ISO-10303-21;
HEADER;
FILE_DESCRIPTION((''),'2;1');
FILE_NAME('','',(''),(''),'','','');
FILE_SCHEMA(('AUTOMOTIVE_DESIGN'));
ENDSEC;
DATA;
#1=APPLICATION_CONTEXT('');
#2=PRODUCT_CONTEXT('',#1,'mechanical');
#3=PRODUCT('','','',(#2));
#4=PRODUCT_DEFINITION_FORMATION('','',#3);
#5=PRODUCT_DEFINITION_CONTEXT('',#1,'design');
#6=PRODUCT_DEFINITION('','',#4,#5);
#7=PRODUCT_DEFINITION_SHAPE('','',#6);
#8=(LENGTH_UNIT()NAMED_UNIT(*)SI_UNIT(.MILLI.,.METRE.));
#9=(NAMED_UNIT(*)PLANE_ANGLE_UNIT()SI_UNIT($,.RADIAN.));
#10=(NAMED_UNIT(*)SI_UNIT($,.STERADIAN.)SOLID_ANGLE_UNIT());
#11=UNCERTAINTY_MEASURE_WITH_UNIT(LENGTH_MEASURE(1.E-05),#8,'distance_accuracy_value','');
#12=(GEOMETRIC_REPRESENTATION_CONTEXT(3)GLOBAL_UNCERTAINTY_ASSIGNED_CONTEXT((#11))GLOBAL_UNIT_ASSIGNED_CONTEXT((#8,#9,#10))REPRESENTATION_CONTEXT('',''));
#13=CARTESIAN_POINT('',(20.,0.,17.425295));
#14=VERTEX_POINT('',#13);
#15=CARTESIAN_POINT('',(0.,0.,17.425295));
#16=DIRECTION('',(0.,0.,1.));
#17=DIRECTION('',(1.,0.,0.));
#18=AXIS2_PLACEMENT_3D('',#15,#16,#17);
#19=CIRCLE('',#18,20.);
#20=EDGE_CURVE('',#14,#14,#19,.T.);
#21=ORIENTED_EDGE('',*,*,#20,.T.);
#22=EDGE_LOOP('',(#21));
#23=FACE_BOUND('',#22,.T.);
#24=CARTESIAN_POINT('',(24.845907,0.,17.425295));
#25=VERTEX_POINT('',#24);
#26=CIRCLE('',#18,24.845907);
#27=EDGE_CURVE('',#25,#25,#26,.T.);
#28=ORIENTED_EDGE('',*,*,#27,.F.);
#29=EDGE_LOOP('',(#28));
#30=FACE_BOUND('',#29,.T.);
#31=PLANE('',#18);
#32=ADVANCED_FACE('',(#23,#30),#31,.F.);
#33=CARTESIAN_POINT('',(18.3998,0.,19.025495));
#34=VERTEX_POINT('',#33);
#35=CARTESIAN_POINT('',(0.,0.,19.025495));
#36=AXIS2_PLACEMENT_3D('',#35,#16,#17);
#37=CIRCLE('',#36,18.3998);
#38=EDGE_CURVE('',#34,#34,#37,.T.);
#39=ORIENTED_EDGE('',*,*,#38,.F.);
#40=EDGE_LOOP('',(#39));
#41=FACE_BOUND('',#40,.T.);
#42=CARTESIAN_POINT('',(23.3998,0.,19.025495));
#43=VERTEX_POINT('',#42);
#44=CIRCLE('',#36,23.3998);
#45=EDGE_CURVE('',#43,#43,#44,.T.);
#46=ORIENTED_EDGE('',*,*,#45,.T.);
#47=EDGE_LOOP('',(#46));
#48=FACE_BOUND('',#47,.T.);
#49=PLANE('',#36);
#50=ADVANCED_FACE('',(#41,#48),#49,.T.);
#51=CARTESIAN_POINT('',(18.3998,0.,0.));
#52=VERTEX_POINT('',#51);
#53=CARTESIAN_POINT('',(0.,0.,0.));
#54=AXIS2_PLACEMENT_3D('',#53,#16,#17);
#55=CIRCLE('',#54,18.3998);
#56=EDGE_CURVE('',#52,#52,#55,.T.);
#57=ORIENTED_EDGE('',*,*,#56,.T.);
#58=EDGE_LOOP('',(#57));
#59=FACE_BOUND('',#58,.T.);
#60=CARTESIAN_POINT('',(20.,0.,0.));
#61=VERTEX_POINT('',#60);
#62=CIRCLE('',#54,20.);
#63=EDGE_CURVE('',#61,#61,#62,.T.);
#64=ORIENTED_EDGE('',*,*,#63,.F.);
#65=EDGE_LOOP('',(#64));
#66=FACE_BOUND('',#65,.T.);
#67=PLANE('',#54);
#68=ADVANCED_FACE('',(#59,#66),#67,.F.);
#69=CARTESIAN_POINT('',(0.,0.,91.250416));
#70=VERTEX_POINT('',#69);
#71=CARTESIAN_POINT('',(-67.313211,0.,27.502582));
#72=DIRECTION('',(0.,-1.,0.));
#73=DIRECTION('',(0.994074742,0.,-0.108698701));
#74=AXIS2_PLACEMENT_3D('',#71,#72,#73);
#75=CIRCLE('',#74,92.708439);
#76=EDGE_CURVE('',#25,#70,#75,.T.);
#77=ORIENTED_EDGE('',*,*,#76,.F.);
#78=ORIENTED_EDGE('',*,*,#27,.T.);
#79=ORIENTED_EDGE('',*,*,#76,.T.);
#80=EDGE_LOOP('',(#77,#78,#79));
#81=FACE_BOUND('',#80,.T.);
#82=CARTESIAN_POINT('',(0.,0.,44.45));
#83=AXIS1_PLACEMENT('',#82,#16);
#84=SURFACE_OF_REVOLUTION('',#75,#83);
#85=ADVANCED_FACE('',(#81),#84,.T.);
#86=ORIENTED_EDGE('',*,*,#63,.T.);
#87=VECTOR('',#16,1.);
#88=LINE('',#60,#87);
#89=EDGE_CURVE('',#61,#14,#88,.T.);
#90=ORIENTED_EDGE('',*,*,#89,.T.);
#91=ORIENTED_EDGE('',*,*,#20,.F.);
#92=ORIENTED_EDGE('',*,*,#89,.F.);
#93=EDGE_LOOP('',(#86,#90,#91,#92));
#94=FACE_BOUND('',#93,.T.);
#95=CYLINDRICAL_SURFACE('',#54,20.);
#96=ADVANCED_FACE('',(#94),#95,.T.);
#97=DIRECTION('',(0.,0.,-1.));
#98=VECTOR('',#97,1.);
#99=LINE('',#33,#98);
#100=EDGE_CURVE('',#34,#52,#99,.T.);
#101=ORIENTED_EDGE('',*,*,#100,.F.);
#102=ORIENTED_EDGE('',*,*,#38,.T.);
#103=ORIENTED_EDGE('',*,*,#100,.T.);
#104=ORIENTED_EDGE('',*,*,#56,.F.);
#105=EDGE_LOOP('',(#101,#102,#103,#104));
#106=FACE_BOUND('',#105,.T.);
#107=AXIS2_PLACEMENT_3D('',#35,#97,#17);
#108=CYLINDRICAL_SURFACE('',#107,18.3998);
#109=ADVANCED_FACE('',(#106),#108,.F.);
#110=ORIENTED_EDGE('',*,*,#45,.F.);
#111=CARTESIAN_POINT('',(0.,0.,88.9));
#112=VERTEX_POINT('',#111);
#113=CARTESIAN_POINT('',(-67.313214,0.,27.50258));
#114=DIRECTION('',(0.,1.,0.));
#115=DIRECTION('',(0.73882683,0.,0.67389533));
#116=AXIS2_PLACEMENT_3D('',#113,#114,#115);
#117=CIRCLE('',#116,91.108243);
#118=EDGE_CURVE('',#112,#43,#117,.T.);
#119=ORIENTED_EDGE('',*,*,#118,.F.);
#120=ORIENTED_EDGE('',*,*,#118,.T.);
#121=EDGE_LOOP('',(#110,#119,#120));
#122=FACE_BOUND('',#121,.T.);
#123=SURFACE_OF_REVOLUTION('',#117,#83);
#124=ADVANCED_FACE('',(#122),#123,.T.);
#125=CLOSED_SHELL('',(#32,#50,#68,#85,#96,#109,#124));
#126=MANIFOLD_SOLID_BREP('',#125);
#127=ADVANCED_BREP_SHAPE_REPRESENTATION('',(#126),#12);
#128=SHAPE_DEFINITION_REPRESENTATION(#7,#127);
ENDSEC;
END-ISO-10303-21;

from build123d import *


with BuildPart() as f1:
    # F0 (on Front) → F1 (revolve)
    with BuildSketch(Plane.XZ):
        with BuildLine():
            Line((0, 91.250416), (0, 88.9))
            ThreePointArc((0, 88.9), (19.0794, 56.434019), (23.3998, 19.025495))
            Line((23.3998, 19.025495), (18.3998, 19.025495))
            Line((18.3998, 19.025495), (18.3998, 0))
            Line((18.3998, 0), (20, 0))
            Line((20, 0), (20, 17.425295))
            Line((20, 17.425295), (24.845907, 17.425295))
            ThreePointArc((24.845907, 17.425295), (20.552556, 57.073881), (0, 91.250416))
        make_face()
    revolve(axis=Axis((0, 0, 44.45), (0, 0, 1)))


solid = f1.part
